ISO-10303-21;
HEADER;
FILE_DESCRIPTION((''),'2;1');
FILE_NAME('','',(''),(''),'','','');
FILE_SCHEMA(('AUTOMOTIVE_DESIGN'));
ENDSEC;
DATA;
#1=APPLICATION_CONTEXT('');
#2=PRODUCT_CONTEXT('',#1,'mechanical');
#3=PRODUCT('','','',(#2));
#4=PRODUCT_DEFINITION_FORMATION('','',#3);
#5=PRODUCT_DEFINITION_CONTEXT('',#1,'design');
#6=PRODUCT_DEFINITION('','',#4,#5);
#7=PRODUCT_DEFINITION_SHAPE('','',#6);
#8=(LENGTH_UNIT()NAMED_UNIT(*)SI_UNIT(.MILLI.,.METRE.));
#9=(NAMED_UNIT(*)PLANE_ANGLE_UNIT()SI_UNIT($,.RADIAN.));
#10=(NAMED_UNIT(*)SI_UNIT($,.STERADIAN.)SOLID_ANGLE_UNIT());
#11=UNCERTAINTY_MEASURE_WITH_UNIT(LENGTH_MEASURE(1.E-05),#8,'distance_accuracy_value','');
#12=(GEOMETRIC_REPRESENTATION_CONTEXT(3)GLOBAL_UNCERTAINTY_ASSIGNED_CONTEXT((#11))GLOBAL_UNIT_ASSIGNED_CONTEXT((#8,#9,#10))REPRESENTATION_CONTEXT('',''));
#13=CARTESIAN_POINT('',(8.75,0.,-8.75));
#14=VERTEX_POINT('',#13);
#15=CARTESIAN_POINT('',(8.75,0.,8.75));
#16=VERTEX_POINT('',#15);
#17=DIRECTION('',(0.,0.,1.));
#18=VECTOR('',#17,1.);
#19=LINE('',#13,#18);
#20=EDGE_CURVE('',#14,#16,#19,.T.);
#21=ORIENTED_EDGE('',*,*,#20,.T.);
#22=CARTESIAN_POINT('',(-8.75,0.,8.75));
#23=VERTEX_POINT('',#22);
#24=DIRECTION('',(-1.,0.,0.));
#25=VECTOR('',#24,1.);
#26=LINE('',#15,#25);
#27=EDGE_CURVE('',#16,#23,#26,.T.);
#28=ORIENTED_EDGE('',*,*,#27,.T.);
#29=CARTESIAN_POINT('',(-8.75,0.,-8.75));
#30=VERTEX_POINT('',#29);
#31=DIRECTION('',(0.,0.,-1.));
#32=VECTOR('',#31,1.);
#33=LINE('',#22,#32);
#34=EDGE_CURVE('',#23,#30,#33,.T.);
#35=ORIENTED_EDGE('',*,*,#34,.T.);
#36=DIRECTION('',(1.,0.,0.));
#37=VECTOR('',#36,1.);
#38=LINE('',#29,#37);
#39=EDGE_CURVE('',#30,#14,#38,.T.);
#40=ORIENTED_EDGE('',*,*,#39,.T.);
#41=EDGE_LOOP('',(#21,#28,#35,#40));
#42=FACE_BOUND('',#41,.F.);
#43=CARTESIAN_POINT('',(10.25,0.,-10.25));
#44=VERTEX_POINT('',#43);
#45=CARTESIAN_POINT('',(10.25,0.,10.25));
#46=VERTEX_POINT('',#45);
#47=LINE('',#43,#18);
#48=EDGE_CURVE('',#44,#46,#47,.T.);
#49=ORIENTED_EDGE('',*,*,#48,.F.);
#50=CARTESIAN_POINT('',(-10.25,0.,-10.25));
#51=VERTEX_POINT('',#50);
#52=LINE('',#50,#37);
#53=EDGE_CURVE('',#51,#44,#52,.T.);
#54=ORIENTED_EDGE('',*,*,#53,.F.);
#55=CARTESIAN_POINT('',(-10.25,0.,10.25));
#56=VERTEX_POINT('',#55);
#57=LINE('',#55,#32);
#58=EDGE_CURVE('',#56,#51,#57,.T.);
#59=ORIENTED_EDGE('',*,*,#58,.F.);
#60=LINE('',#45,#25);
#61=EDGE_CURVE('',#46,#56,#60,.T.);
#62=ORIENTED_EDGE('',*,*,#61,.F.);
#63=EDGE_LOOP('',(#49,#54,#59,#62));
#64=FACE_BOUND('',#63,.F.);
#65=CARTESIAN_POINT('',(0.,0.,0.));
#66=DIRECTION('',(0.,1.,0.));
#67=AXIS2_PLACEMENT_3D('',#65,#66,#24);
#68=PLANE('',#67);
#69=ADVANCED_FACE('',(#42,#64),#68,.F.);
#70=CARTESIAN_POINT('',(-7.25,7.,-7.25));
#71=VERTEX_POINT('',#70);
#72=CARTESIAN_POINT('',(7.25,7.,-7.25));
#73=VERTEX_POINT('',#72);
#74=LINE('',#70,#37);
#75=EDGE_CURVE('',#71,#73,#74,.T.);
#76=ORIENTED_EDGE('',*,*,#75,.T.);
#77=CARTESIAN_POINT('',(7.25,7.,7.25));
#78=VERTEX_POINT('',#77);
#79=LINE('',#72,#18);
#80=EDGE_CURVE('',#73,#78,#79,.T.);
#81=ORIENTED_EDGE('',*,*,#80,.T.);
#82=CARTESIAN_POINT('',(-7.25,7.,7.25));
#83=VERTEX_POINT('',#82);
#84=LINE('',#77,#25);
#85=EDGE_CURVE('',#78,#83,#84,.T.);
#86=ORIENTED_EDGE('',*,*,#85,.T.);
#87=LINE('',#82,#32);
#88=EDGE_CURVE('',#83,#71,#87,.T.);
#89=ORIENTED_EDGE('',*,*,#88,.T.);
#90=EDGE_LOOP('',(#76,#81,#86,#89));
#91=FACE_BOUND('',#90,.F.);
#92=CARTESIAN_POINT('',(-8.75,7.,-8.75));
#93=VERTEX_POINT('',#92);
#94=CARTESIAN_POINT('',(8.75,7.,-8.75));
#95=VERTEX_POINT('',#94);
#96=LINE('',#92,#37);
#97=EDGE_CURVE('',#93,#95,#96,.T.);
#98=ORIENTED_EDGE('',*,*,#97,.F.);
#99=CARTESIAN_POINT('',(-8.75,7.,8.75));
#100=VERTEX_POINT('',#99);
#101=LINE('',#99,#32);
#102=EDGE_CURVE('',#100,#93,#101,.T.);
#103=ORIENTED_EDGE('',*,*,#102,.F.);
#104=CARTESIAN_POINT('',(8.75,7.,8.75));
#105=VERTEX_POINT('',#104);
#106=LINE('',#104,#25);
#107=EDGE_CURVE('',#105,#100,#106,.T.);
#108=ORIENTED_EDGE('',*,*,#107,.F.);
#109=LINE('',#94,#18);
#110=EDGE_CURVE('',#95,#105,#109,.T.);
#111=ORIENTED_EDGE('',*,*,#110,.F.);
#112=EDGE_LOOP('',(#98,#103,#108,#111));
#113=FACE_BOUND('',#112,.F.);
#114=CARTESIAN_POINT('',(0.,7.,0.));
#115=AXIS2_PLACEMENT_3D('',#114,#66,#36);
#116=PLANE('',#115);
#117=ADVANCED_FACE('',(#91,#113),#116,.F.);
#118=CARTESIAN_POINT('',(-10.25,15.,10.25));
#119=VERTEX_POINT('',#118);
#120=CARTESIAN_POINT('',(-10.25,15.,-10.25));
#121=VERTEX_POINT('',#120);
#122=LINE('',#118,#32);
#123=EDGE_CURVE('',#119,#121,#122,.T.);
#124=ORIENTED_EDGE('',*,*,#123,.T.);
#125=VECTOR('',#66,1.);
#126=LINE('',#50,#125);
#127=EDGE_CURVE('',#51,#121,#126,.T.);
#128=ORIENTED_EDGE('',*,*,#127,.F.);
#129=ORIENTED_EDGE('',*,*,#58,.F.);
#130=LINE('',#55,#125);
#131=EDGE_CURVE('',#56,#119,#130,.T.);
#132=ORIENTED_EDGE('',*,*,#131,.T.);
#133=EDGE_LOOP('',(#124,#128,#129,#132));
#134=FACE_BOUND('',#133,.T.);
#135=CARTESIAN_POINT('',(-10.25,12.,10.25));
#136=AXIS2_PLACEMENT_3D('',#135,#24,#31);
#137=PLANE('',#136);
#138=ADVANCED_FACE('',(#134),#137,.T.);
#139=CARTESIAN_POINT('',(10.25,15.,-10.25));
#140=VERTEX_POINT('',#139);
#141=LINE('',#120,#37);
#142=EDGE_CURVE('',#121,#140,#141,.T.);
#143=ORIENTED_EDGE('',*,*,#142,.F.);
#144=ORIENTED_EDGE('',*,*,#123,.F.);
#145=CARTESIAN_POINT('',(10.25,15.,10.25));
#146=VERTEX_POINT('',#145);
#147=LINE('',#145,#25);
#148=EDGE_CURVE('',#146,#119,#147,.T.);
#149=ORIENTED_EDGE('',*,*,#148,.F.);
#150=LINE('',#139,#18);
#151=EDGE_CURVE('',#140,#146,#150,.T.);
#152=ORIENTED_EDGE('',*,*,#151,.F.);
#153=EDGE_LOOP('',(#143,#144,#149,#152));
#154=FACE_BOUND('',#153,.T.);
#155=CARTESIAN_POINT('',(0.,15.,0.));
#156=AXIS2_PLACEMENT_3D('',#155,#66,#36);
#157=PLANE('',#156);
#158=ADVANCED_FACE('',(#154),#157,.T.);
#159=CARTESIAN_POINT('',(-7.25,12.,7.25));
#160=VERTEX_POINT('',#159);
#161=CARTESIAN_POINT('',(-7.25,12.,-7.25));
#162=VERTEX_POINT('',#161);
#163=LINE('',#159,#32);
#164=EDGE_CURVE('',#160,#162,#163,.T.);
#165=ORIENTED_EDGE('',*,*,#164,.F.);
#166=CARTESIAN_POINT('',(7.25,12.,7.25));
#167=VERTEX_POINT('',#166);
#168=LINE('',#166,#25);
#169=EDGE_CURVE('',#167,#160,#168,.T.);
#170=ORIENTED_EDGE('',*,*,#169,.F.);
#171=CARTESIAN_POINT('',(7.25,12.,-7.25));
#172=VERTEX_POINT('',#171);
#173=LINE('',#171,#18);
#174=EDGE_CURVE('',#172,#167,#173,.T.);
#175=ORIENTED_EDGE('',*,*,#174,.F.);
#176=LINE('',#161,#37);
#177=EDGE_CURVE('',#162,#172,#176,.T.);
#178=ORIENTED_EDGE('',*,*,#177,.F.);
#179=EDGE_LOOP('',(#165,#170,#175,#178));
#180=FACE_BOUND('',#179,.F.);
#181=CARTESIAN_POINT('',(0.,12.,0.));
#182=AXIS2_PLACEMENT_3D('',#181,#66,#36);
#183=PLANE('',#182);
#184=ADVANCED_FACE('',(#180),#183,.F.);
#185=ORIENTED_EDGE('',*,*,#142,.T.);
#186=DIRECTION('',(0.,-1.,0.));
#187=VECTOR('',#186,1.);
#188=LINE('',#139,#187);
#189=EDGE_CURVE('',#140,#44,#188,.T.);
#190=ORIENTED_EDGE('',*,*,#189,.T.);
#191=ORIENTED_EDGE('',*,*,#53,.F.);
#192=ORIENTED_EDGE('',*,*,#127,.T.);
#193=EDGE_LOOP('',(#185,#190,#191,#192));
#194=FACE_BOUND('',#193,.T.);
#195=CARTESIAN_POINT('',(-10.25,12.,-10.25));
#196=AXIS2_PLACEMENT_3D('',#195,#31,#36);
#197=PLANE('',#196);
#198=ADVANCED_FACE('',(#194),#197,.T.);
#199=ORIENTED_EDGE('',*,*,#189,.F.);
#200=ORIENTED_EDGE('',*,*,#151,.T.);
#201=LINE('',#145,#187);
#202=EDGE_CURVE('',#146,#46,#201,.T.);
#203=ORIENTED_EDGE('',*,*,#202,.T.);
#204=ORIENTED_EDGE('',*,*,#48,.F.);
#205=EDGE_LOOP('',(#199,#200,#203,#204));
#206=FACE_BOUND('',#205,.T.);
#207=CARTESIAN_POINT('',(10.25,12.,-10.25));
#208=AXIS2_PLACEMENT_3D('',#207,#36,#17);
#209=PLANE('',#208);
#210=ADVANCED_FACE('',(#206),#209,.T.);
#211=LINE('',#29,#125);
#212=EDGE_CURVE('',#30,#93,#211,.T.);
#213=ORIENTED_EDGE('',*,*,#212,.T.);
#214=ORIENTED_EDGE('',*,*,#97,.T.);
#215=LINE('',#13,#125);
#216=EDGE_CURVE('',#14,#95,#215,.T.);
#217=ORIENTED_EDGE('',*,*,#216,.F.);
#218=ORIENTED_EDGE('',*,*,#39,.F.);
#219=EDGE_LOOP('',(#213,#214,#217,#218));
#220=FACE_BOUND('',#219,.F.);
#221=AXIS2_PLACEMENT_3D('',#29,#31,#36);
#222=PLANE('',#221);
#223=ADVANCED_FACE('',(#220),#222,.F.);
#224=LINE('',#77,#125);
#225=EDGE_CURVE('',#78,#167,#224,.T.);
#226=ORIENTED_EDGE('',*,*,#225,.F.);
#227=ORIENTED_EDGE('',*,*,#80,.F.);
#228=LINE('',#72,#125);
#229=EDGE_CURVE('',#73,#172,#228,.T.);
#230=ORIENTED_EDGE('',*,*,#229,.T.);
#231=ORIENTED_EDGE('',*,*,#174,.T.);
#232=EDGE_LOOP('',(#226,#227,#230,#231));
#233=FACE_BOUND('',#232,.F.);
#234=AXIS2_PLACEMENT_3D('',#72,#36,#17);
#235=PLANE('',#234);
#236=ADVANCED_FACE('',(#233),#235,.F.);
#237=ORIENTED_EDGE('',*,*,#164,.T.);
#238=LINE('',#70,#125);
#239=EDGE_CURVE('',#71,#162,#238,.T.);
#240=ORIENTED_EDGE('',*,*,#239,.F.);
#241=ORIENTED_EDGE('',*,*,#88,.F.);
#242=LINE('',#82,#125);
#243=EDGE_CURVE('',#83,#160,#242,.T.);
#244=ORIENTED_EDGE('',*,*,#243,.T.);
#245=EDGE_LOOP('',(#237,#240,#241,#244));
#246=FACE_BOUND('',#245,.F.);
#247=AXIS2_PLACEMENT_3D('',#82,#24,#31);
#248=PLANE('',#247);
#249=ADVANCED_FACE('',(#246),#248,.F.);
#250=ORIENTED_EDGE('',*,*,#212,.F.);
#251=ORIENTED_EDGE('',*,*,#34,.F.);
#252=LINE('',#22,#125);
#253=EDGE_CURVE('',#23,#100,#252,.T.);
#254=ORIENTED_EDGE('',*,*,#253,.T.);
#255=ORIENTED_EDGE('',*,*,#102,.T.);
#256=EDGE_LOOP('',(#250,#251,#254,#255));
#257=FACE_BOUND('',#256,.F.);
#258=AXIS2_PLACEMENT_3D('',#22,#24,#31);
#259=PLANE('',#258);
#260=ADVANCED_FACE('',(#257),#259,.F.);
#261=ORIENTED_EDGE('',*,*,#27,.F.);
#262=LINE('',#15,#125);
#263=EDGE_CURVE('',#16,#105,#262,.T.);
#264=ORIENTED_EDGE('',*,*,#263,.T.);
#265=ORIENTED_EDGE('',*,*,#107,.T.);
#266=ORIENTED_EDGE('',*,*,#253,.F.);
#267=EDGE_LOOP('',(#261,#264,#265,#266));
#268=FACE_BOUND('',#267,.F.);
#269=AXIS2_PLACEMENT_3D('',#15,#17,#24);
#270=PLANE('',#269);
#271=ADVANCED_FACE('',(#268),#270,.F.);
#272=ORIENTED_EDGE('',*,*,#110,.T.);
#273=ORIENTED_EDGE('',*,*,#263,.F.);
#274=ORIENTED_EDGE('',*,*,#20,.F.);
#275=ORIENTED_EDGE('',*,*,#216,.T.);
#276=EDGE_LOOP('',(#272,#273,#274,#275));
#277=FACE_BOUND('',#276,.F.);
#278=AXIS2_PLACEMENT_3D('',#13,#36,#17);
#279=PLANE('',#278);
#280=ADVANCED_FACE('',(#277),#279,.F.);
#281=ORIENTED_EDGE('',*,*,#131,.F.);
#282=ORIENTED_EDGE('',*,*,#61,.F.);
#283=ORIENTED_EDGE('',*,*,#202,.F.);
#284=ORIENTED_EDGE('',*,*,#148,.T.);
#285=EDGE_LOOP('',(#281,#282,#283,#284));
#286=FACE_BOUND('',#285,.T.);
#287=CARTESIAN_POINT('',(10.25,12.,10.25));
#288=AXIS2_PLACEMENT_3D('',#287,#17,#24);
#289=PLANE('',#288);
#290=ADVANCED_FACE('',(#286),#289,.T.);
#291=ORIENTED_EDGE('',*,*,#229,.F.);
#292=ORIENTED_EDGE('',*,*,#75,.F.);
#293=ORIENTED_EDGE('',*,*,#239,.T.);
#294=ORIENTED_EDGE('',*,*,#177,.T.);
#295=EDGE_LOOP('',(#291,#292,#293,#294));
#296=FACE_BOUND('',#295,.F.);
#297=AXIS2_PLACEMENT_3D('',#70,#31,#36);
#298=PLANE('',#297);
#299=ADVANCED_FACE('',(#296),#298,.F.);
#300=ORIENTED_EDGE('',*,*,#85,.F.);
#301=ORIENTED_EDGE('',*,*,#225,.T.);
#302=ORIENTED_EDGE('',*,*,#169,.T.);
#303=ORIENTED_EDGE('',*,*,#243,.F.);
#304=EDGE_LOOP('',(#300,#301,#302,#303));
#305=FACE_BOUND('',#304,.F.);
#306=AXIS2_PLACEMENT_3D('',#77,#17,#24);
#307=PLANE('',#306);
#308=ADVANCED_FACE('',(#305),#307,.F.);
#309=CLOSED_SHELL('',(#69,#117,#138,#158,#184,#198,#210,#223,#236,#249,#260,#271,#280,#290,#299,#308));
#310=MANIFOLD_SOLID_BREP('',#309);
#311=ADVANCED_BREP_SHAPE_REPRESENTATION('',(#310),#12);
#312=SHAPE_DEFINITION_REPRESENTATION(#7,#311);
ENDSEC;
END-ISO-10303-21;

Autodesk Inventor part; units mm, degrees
ref_plane "YZ Plane" through (0, 0, 0) normal (1, 0, 0) x (0, 1, 0)
ref_plane "XZ Plane" through (0, 0, 0) normal (0, 1, 0) x (-1, 0, 0)
ref_plane "XY Plane" through (0, 0, 0) normal (0, 0, 1) x (1, 0, 0)
sketch "Sketch1" plane through (0, 0, 0) normal (0, 1, 0) x (-1, 0, 0)
  line L0 (-10.25, 10.25) -> (10.25, 10.25)
  line L1 (10.25, 10.25) -> (10.25, -10.25)
  line L2 (10.25, -10.25) -> (-10.25, -10.25)
  line L3 (-10.25, -10.25) -> (-10.25, 10.25)
  line L4 (-10.25, 10.25) -> (10.25, -10.25) construction
  line L5 (10.25, 10.25) -> (-10.25, -10.25) construction
  line L6 (-8.75, 8.75) -> (8.75, 8.75)
  line L7 (8.75, 8.75) -> (8.75, -8.75)
  line L8 (8.75, -8.75) -> (-8.75, -8.75)
  line L9 (-8.75, -8.75) -> (-8.75, 8.75)
  line L10 (-8.75, 8.75) -> (8.75, -8.75) construction
  line L11 (8.75, 8.75) -> (-8.75, -8.75) construction
  point P0 (0, 0)
  dimension "d0" = 1.5
  dimension "d1" = 20.5
extrude "Extrusion1" add sketch "Sketch1" along normal blind 7
sketch "Sketch2" plane through (0, 7, 0) normal (0, 1, 0) x (1, 0, 0)
  line L0 (10.25, -10.25) -> (-10.25, -10.25)
  line L1 (-10.25, -10.25) -> (-10.25, 10.25)
  line L2 (-10.25, 10.25) -> (10.25, 10.25)
  line L3 (10.25, 10.25) -> (10.25, -10.25)
  line L4 (10.25, -10.25) -> (-10.25, 10.25) construction
  line L5 (-10.25, -10.25) -> (10.25, 10.25) construction
  line L6 (7.25, -7.25) -> (-7.25, -7.25)
  line L7 (-7.25, -7.25) -> (-7.25, 7.25)
  line L8 (-7.25, 7.25) -> (7.25, 7.25)
  line L9 (7.25, 7.25) -> (7.25, -7.25)
  line L10 (7.25, -7.25) -> (-7.25, 7.25) construction
  line L11 (-7.25, -7.25) -> (7.25, 7.25) construction
  point P0 (0, 0)
  dimension "d4" = 3
extrude "Extrusion2" add sketch "Sketch2" along normal blind 5
sketch "Sketch3" plane through (0, 12, 0) normal (0, 1, 0) x (1, 0, 0)
  line L0 (-10.25, 10.25) -> (10.25, 10.25) projected
  line L1 (10.25, -10.25) -> (-10.25, -10.25)
  line L2 (-10.25, -10.25) -> (-10.25, 10.25)
  line L3 (-10.25, 10.25) -> (10.25, 10.25)
  line L4 (10.25, 10.25) -> (10.25, -10.25)
  line L5 (10.25, -10.25) -> (-10.25, 10.25) construction
  line L6 (-10.25, -10.25) -> (10.25, 10.25) construction
  point P0 (0, 0)
extrude "Extrusion3" add sketch "Sketch3" along normal blind 3
properties part number "Colorimeter_Cap"
